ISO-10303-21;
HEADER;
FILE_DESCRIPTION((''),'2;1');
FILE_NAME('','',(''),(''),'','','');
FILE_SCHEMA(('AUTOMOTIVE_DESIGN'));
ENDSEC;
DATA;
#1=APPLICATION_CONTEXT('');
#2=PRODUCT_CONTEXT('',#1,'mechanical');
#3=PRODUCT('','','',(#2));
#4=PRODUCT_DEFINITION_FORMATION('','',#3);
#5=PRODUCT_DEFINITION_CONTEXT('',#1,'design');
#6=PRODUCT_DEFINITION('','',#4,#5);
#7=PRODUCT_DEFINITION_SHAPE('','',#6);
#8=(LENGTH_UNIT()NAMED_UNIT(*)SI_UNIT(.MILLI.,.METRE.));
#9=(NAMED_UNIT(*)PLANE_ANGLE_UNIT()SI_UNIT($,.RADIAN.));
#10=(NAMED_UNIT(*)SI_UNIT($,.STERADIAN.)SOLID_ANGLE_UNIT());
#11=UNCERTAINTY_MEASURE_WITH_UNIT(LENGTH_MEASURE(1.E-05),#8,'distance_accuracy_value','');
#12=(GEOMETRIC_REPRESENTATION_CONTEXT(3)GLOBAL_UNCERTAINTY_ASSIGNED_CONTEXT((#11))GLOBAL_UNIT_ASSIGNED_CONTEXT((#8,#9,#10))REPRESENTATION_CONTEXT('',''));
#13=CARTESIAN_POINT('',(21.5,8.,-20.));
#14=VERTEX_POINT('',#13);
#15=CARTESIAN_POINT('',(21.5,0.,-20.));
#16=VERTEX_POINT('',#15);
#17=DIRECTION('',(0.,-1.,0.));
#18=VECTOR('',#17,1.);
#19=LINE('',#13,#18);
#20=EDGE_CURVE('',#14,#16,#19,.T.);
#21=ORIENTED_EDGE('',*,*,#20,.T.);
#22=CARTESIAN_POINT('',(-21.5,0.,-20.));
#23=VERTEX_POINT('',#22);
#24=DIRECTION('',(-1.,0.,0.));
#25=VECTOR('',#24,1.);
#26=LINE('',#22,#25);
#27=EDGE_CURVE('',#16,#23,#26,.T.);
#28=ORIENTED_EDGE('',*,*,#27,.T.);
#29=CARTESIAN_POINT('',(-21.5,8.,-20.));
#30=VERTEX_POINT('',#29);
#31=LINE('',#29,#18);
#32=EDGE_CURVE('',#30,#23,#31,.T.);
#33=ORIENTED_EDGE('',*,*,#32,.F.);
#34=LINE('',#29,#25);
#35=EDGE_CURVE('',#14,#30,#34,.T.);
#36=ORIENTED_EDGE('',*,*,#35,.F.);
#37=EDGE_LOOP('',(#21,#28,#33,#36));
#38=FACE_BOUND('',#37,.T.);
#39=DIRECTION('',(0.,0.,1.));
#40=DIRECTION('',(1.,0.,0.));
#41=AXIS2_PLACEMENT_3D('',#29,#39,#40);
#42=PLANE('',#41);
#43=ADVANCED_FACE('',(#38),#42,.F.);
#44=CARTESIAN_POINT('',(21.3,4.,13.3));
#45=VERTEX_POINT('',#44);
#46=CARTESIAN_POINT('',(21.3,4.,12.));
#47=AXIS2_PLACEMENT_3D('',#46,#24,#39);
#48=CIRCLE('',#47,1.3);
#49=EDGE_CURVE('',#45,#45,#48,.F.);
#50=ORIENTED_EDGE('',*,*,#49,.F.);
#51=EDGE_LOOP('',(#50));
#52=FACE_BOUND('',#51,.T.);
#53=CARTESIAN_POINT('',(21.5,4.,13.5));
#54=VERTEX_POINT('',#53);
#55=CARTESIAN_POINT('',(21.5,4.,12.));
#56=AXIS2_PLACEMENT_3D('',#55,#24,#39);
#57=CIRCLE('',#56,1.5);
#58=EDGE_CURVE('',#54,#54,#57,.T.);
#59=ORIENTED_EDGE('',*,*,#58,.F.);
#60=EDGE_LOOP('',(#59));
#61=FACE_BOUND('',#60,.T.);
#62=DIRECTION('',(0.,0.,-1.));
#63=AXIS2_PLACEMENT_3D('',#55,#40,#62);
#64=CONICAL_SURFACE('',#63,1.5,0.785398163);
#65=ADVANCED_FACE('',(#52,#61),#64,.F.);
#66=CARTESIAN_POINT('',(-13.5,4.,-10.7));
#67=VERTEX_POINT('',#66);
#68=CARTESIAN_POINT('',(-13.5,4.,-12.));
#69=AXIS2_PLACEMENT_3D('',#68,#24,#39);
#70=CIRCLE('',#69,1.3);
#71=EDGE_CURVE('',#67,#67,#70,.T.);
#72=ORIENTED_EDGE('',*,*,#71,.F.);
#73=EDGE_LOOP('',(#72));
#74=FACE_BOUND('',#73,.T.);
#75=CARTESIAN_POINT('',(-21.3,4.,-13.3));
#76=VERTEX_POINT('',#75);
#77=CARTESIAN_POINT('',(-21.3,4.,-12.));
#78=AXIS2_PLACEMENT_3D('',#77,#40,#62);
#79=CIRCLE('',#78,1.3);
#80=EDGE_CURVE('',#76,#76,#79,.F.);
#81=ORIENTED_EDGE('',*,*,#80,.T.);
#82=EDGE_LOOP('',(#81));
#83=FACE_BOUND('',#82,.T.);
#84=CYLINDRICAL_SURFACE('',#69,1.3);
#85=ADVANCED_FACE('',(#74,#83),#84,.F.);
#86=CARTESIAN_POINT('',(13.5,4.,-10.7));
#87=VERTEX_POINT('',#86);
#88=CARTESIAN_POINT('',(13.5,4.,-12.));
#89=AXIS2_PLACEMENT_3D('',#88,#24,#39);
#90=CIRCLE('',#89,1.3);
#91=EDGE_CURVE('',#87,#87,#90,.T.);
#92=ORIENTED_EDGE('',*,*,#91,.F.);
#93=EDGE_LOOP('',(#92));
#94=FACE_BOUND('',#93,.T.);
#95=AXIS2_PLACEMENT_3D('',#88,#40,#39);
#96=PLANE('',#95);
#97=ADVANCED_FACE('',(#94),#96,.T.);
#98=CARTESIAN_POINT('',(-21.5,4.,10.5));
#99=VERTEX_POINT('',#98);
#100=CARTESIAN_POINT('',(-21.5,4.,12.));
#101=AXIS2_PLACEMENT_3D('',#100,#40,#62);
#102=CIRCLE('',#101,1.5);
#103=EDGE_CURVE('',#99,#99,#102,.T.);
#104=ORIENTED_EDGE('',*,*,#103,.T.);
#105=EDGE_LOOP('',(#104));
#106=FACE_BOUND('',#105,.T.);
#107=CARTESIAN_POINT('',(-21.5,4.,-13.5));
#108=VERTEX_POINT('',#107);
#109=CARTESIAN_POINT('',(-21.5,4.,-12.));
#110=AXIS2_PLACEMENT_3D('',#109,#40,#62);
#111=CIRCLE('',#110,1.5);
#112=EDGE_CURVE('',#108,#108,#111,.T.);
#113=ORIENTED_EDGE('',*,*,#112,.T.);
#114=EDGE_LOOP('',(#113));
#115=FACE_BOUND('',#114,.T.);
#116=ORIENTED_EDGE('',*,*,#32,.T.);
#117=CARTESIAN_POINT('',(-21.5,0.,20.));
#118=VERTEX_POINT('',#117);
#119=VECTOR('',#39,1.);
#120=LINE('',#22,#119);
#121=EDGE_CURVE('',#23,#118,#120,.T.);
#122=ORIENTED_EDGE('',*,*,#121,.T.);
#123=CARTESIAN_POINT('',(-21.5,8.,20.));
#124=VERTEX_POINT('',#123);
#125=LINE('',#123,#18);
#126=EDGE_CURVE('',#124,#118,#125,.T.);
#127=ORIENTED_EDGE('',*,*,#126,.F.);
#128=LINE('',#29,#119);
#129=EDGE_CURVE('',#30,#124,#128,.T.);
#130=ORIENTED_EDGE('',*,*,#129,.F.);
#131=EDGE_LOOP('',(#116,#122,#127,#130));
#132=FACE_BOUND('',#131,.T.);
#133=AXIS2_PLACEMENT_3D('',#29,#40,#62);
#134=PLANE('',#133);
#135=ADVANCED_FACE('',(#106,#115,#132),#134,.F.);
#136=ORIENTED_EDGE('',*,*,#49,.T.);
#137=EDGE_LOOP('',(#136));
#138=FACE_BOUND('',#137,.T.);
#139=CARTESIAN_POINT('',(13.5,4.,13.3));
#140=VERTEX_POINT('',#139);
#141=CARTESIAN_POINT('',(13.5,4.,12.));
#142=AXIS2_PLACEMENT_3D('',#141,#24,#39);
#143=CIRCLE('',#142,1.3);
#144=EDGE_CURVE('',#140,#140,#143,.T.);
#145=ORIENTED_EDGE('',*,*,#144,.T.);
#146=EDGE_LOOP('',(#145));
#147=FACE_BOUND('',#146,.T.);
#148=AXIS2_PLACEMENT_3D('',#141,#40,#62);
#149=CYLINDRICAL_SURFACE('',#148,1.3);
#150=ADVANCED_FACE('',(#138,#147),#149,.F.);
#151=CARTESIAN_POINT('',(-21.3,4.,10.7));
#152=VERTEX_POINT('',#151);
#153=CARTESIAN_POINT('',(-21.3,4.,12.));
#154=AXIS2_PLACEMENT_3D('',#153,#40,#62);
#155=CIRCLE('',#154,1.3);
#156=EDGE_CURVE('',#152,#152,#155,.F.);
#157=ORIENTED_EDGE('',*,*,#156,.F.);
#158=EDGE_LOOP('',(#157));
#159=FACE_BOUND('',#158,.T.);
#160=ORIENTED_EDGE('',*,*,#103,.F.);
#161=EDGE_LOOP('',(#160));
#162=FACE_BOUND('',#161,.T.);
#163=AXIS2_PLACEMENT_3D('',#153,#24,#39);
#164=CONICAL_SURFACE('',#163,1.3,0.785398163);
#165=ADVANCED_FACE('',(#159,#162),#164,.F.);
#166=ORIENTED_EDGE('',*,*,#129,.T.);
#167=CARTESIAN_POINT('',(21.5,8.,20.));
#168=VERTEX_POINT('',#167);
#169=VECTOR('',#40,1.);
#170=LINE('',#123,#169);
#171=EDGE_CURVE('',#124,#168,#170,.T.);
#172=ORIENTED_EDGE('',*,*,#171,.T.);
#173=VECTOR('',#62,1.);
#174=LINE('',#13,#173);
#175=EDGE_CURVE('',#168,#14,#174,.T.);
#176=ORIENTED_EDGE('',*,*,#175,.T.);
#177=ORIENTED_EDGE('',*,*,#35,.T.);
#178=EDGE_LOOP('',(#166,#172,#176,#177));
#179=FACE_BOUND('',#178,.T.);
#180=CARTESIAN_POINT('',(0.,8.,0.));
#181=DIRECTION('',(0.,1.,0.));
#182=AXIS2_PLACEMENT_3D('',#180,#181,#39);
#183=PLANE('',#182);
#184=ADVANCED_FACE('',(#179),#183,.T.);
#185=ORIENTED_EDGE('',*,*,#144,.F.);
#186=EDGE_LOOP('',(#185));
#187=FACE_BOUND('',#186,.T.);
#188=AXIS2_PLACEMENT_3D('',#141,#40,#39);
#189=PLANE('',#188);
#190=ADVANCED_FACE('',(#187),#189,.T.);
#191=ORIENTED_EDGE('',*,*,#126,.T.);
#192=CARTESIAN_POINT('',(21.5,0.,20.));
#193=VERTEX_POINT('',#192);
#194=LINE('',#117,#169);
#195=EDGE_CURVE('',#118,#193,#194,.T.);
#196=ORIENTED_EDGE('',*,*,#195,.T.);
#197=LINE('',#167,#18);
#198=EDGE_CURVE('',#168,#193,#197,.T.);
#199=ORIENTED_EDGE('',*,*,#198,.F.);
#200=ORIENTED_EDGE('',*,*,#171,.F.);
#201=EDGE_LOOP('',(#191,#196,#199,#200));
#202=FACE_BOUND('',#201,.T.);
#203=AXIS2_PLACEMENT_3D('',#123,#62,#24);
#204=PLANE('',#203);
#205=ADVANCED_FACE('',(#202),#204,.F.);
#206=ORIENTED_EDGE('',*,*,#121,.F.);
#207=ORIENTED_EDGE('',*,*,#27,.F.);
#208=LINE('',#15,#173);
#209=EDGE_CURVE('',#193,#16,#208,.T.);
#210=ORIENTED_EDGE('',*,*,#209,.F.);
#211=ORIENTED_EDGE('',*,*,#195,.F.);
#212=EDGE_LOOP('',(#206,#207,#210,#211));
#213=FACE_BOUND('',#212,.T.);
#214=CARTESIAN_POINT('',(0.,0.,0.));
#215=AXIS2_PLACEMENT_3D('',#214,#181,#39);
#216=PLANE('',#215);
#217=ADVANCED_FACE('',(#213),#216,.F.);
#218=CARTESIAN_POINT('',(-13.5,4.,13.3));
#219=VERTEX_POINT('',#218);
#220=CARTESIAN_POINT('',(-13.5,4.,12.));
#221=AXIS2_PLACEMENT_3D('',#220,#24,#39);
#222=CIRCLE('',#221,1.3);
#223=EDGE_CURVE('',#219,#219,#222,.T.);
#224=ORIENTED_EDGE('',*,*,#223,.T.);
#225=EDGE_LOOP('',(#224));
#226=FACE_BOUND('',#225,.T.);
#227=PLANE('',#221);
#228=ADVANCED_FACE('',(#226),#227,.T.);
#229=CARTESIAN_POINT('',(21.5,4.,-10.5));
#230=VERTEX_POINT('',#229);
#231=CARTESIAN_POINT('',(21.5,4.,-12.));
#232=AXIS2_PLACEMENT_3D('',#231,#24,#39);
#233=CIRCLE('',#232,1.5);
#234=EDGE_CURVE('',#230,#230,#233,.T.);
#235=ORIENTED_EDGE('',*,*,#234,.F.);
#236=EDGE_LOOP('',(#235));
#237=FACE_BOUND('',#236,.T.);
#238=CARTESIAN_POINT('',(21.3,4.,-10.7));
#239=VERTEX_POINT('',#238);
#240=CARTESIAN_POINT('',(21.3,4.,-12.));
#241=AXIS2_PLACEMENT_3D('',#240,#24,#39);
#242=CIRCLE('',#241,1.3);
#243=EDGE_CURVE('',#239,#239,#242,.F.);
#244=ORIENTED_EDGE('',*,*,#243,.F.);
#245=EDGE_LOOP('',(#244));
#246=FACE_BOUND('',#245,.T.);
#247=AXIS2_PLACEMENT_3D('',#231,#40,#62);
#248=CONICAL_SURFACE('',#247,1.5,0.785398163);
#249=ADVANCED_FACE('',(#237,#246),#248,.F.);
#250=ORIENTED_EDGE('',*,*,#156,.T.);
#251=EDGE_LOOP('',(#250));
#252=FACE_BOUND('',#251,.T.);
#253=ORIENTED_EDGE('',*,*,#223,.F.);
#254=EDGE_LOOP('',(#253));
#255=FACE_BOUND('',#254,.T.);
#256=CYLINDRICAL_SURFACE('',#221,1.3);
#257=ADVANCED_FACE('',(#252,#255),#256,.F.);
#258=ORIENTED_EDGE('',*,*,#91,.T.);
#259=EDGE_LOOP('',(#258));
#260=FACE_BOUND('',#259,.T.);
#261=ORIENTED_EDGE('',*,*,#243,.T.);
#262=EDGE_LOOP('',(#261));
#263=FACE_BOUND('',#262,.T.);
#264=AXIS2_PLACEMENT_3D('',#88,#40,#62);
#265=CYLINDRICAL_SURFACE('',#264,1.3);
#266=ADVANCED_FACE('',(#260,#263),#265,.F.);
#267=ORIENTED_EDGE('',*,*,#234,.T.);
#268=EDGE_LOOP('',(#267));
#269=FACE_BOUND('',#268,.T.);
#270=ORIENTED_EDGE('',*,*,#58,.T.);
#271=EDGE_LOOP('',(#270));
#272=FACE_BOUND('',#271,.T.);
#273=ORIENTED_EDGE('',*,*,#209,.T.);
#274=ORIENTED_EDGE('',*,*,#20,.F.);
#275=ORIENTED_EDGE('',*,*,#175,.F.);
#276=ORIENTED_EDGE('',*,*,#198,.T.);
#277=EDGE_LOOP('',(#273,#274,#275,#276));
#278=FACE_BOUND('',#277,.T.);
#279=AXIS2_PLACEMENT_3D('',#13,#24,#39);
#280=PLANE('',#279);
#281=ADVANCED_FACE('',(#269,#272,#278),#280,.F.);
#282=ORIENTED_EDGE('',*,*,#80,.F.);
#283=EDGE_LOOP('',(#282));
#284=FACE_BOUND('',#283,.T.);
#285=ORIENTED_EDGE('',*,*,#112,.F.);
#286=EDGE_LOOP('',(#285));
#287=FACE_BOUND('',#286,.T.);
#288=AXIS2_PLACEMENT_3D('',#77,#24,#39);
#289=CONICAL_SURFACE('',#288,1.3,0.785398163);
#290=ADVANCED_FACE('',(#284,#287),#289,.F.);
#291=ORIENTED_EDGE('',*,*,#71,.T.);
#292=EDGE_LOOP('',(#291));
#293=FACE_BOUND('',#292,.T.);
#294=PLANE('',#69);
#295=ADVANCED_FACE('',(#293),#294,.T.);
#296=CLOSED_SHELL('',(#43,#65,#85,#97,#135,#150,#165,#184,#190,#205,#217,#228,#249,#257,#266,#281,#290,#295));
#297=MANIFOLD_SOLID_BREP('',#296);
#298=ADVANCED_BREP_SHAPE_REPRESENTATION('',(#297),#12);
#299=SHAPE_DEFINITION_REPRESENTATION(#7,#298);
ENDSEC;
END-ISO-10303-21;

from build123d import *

# Parameters (mm, degrees)
SKETCH_1_W          = 43
SKETCH_1_H          = 40
EXTRUDE_1_DEPTH     = 8
SKETCH_2_R          = 1.3
CUT_EXTRUDE_1_DEPTH = 8
CHAMFER_1_SIZE      = 0.2


with BuildPart() as part:
    # 草圖1 → 填料-伸長1 (new body)
    with BuildSketch(Plane(origin=(0, 0, 0), x_dir=(1, 0, 0), z_dir=(0, 1, 0))):
        Rectangle(SKETCH_1_W, SKETCH_1_H)
    extrude(amount=EXTRUDE_1_DEPTH)

    # 草圖2 → 除料-伸長1 (cut)
    with BuildSketch(Plane.ZY.offset(21.5)):
        with Locations((-12, 4)):
            Circle(SKETCH_2_R)
        with Locations((12, 4)):
            Circle(SKETCH_2_R)
    cut_extrude_1 = extrude(amount=-CUT_EXTRUDE_1_DEPTH, mode=Mode.SUBTRACT)

    # 鏡射1: 除料-伸長1 across plane
    add(cut_extrude_1.mirror(Plane(origin=(0, 0, 0), x_dir=(0, 0, 1), z_dir=(1, 0, 0))), mode=Mode.SUBTRACT)

    # 導角1
    chamfer_1_edges = [part.edges().sort_by_distance(p)[0] for p in [
        (-21.5, 4, -13.3),
        (-21.5, 4, 10.7),
        (21.5, 4, -13.3),
        (21.5, 4, 10.7),
    ]]
    chamfer(chamfer_1_edges, length=CHAMFER_1_SIZE)


solid = part.part
